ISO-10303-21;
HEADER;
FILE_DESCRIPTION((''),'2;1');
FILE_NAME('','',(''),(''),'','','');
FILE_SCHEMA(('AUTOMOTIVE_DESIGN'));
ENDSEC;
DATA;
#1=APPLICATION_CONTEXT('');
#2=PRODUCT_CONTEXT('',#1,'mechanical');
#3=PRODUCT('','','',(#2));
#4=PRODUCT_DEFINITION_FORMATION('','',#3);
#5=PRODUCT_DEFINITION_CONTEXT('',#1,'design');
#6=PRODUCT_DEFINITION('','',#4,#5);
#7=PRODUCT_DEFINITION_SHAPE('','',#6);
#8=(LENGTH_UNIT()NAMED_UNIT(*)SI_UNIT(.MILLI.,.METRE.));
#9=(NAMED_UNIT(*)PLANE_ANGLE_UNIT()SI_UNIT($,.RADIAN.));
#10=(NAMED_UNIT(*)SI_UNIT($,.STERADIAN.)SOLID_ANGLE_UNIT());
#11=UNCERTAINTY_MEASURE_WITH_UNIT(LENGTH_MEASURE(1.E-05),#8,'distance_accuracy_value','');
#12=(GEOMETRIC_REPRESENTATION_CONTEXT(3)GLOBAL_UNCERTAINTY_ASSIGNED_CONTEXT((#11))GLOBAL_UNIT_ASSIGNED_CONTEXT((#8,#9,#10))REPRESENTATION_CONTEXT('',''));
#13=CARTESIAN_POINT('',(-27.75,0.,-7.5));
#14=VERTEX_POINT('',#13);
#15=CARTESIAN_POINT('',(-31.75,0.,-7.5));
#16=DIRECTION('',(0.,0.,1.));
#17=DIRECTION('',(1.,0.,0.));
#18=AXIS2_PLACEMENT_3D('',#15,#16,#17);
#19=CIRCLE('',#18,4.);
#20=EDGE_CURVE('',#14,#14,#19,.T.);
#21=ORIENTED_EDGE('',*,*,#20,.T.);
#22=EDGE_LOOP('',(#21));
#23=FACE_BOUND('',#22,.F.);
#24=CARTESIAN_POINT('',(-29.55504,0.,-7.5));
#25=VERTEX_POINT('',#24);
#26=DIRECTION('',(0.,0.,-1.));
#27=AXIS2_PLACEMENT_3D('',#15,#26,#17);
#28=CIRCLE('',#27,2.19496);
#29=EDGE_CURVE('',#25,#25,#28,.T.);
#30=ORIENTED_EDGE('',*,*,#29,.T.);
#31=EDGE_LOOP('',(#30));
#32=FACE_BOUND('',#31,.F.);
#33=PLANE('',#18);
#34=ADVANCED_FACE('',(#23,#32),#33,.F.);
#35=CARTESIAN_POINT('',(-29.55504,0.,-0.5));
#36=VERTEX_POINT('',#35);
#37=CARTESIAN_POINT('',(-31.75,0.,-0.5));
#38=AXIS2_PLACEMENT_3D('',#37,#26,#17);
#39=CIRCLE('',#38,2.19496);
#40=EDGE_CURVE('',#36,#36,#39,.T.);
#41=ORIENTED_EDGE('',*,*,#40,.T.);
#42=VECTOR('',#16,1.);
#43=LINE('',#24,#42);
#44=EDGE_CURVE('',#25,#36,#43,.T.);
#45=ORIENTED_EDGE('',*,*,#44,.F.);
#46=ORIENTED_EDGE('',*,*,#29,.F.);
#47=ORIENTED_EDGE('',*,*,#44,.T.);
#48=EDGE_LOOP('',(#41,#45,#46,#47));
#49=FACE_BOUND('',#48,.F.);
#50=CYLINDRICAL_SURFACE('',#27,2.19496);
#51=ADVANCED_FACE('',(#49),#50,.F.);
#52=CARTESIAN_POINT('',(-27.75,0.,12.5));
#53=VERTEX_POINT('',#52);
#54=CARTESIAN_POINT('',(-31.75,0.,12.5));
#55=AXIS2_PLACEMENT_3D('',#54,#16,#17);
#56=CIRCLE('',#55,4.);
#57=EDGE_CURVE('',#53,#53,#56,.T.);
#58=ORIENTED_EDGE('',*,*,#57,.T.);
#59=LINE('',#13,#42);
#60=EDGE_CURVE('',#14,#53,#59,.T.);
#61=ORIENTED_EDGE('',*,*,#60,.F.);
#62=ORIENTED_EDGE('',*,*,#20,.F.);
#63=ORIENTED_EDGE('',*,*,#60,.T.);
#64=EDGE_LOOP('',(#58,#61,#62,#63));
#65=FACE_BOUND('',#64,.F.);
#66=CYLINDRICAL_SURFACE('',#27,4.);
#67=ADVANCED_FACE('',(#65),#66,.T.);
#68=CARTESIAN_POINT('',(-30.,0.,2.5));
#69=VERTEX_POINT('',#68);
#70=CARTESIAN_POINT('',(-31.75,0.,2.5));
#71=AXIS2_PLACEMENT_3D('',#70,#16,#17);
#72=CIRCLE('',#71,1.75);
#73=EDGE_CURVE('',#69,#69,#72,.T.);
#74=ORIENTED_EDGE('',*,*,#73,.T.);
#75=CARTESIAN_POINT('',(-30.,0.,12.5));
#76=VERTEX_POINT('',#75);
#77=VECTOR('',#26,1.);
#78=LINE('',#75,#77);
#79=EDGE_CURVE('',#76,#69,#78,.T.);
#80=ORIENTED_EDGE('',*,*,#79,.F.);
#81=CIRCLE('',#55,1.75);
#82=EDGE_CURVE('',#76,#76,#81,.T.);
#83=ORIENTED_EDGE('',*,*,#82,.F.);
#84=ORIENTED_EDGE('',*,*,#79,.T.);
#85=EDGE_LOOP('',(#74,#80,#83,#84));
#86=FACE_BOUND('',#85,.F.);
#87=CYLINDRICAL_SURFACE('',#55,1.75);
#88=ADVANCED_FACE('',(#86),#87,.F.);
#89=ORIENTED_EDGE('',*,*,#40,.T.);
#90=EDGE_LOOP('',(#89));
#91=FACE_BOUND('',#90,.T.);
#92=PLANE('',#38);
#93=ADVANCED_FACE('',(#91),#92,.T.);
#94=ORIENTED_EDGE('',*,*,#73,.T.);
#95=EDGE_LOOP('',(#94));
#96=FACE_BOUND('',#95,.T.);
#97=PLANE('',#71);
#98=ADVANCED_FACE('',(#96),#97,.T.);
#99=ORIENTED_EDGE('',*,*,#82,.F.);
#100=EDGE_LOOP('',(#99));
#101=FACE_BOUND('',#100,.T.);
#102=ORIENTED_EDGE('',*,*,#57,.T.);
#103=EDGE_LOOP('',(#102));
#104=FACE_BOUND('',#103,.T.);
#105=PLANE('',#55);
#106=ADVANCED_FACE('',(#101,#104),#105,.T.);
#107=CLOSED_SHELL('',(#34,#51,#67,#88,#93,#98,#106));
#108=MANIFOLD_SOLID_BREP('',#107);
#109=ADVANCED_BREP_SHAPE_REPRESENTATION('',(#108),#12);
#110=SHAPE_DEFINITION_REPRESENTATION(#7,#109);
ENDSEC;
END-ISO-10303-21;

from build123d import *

# Parameters (mm, degrees)
SKETCH022_R     = 4
PAD009_DEPTH    = 20
SKETCH023_R     = 2.19496
POCKET011_DEPTH = 7
SKETCH025_R     = 1.75
POCKET012_DEPTH = 10


with BuildPart() as part:
    # Sketch022 → Pad009 (new body)
    with BuildSketch(Plane.XY):
        Circle(SKETCH022_R)
    extrude(amount=PAD009_DEPTH)

    # Sketch023 (on Face2 of Pad009) → Pocket011 (cut)
    with BuildSketch(Plane(origin=(0, 0, 0), x_dir=(1, 0, 0), z_dir=(0, 0, -1))):
        Circle(SKETCH023_R)
    extrude(amount=-POCKET011_DEPTH, mode=Mode.SUBTRACT)

    # Sketch025 (on Face3 of Pocket011) → Pocket012 (cut)
    with BuildSketch(Plane.XY.offset(20)):
        Circle(SKETCH025_R)
    extrude(amount=-POCKET012_DEPTH, mode=Mode.SUBTRACT)


with BuildPart() as part_1:
    # Body006 placement: moved
    add(part.part.moved(Location((-31.75, 0, -7.5))))


solid = part_1.part
